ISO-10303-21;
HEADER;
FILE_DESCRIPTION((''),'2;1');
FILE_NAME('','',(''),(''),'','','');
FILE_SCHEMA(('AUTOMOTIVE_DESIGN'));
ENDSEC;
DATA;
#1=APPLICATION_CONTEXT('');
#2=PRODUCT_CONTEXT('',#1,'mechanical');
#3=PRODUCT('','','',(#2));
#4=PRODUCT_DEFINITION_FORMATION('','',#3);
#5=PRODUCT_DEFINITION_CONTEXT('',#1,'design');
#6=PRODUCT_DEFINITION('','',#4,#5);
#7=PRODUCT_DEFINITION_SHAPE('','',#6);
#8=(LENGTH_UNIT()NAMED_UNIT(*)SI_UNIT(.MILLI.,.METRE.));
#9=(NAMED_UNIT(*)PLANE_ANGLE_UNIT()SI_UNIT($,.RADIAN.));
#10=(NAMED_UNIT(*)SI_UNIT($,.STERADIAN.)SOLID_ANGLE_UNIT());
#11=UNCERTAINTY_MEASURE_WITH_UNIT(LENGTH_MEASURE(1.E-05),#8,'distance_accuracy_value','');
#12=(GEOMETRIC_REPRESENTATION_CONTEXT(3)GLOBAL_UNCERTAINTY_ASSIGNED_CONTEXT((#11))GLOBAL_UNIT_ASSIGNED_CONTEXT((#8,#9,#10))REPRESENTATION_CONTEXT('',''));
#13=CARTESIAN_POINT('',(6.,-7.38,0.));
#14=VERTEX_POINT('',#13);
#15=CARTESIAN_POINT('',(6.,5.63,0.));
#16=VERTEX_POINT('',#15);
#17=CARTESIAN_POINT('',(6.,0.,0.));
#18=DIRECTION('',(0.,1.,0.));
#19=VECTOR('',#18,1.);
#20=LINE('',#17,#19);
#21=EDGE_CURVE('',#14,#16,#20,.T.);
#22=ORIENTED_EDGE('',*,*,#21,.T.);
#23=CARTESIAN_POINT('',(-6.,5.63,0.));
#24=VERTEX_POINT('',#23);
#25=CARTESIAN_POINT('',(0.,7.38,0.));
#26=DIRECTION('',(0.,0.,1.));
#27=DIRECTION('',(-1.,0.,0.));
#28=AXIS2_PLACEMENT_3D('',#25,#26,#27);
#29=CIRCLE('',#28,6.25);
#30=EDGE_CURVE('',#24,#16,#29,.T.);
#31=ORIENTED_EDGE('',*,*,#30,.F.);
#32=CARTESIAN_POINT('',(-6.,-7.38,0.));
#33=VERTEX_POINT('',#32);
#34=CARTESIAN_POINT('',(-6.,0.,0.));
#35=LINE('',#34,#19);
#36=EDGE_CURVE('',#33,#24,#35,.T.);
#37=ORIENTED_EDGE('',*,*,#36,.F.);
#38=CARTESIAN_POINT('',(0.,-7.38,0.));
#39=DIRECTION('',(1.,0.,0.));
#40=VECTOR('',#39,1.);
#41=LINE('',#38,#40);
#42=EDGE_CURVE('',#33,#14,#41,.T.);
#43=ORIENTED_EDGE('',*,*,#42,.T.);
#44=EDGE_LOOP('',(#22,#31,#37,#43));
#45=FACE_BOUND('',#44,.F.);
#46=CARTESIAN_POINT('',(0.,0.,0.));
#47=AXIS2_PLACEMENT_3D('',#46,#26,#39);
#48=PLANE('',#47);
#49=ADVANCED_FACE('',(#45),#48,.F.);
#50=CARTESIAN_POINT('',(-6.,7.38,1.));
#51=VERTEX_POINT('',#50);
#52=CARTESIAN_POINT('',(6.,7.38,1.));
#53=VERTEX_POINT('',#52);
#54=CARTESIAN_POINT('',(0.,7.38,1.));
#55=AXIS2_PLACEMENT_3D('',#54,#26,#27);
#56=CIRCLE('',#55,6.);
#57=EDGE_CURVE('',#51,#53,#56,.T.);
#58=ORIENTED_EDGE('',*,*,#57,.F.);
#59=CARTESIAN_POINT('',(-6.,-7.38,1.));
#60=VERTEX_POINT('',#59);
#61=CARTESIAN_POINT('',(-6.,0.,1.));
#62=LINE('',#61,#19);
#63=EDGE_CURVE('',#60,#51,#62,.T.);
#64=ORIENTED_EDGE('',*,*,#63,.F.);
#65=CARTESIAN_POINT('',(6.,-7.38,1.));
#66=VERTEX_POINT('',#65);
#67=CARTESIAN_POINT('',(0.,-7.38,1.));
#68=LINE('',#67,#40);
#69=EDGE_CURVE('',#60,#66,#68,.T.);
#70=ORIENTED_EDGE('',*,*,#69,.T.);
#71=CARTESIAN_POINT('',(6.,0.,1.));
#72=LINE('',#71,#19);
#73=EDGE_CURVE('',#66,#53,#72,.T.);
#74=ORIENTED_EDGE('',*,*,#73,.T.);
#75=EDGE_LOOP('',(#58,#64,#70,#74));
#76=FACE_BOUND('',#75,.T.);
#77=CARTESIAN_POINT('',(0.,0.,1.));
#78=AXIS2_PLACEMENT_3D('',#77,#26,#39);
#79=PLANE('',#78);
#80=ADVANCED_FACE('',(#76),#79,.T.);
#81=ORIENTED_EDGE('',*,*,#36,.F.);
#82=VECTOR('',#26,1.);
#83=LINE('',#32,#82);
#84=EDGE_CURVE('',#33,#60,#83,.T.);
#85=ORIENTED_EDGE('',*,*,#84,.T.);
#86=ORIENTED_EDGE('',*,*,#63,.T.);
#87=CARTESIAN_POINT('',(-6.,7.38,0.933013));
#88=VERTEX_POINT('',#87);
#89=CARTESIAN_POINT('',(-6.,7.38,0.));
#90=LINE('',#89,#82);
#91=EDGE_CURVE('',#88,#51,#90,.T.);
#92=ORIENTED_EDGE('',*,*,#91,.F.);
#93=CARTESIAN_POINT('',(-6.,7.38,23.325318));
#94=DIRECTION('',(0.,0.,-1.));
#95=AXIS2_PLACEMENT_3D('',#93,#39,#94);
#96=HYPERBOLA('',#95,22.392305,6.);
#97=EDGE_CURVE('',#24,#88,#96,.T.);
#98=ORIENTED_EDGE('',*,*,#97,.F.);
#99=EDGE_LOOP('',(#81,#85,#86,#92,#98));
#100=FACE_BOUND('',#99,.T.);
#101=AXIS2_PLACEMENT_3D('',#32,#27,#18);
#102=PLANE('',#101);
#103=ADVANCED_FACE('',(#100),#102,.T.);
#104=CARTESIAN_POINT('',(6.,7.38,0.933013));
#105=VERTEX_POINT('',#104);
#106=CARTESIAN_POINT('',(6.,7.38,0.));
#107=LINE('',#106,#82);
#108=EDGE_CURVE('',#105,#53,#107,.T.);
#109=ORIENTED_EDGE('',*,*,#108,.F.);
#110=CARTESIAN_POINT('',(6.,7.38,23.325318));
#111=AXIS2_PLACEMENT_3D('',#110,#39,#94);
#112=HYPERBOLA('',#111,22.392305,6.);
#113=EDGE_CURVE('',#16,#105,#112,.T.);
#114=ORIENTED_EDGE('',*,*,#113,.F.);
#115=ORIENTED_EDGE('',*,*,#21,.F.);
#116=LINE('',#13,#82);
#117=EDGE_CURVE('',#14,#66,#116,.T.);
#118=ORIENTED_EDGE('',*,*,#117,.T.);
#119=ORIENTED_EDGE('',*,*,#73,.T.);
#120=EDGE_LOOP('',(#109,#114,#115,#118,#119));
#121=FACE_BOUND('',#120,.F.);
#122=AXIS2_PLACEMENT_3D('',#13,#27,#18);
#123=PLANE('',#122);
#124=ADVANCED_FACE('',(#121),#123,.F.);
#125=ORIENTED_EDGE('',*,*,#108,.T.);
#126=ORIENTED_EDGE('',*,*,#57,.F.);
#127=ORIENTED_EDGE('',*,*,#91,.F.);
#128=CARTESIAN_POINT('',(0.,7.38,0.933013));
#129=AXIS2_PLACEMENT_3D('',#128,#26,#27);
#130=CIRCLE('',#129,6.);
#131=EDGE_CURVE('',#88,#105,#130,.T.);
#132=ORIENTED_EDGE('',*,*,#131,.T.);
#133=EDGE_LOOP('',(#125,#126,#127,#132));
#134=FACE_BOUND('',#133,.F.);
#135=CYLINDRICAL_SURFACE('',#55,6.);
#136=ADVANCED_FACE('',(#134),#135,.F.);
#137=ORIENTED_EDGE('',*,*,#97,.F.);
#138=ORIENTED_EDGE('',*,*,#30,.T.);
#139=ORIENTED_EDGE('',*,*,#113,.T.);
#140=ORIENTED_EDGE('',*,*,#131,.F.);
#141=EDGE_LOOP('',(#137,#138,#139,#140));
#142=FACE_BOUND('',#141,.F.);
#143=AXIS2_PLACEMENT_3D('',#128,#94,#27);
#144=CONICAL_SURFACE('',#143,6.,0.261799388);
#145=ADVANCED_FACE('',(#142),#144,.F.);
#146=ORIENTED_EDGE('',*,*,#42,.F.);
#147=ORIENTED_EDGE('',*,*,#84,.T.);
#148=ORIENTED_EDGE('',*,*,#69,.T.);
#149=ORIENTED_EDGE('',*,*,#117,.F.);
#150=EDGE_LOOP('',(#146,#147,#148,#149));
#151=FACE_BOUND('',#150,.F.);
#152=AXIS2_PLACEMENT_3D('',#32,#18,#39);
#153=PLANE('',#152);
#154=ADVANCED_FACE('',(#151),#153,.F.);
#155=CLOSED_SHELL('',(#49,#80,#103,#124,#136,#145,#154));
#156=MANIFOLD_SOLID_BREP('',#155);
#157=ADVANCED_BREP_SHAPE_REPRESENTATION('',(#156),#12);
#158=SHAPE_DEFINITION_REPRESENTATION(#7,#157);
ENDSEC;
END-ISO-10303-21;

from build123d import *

# Parameters (mm, degrees)
F0_W          = 12
F0_H          = 14.76
F1_DEPTH      = 1
F3_DEPTH      = 25.4
F3_DEPTH_BACK = 25.4
F4_SIZE2      = 0.9330127019
F4_SIZE       = 0.25


with BuildPart() as f1:
    # F0 (on Top) → F1 (new body)
    with BuildSketch(Plane.XY):
        Rectangle(F0_W, F0_H)
    extrude(amount=F1_DEPTH)

    # F2 (on face) → F3 (cut, two sides)
    with BuildSketch(Plane.XY.offset(1)) as f3_sk:
        with BuildLine():
            ThreePointArc((-6, 7.38), (0, 1.38), (6, 7.38))
            Line((6, 7.38), (-6, 7.38))
        make_face()
    extrude(amount=-F3_DEPTH, mode=Mode.SUBTRACT)
    extrude(f3_sk.sketch, amount=F3_DEPTH_BACK, mode=Mode.SUBTRACT)

    # F4
    f4_edges = [f1.edges().sort_by_distance(p)[0] for p in [
        (0, 1.38, 0),
    ]]
    f4_side = f1.faces().sort_by_distance((0, -2.26695, 0))[0]
    chamfer(f4_edges, length=F4_SIZE, length2=F4_SIZE2, reference=f4_side)


solid = f1.part
